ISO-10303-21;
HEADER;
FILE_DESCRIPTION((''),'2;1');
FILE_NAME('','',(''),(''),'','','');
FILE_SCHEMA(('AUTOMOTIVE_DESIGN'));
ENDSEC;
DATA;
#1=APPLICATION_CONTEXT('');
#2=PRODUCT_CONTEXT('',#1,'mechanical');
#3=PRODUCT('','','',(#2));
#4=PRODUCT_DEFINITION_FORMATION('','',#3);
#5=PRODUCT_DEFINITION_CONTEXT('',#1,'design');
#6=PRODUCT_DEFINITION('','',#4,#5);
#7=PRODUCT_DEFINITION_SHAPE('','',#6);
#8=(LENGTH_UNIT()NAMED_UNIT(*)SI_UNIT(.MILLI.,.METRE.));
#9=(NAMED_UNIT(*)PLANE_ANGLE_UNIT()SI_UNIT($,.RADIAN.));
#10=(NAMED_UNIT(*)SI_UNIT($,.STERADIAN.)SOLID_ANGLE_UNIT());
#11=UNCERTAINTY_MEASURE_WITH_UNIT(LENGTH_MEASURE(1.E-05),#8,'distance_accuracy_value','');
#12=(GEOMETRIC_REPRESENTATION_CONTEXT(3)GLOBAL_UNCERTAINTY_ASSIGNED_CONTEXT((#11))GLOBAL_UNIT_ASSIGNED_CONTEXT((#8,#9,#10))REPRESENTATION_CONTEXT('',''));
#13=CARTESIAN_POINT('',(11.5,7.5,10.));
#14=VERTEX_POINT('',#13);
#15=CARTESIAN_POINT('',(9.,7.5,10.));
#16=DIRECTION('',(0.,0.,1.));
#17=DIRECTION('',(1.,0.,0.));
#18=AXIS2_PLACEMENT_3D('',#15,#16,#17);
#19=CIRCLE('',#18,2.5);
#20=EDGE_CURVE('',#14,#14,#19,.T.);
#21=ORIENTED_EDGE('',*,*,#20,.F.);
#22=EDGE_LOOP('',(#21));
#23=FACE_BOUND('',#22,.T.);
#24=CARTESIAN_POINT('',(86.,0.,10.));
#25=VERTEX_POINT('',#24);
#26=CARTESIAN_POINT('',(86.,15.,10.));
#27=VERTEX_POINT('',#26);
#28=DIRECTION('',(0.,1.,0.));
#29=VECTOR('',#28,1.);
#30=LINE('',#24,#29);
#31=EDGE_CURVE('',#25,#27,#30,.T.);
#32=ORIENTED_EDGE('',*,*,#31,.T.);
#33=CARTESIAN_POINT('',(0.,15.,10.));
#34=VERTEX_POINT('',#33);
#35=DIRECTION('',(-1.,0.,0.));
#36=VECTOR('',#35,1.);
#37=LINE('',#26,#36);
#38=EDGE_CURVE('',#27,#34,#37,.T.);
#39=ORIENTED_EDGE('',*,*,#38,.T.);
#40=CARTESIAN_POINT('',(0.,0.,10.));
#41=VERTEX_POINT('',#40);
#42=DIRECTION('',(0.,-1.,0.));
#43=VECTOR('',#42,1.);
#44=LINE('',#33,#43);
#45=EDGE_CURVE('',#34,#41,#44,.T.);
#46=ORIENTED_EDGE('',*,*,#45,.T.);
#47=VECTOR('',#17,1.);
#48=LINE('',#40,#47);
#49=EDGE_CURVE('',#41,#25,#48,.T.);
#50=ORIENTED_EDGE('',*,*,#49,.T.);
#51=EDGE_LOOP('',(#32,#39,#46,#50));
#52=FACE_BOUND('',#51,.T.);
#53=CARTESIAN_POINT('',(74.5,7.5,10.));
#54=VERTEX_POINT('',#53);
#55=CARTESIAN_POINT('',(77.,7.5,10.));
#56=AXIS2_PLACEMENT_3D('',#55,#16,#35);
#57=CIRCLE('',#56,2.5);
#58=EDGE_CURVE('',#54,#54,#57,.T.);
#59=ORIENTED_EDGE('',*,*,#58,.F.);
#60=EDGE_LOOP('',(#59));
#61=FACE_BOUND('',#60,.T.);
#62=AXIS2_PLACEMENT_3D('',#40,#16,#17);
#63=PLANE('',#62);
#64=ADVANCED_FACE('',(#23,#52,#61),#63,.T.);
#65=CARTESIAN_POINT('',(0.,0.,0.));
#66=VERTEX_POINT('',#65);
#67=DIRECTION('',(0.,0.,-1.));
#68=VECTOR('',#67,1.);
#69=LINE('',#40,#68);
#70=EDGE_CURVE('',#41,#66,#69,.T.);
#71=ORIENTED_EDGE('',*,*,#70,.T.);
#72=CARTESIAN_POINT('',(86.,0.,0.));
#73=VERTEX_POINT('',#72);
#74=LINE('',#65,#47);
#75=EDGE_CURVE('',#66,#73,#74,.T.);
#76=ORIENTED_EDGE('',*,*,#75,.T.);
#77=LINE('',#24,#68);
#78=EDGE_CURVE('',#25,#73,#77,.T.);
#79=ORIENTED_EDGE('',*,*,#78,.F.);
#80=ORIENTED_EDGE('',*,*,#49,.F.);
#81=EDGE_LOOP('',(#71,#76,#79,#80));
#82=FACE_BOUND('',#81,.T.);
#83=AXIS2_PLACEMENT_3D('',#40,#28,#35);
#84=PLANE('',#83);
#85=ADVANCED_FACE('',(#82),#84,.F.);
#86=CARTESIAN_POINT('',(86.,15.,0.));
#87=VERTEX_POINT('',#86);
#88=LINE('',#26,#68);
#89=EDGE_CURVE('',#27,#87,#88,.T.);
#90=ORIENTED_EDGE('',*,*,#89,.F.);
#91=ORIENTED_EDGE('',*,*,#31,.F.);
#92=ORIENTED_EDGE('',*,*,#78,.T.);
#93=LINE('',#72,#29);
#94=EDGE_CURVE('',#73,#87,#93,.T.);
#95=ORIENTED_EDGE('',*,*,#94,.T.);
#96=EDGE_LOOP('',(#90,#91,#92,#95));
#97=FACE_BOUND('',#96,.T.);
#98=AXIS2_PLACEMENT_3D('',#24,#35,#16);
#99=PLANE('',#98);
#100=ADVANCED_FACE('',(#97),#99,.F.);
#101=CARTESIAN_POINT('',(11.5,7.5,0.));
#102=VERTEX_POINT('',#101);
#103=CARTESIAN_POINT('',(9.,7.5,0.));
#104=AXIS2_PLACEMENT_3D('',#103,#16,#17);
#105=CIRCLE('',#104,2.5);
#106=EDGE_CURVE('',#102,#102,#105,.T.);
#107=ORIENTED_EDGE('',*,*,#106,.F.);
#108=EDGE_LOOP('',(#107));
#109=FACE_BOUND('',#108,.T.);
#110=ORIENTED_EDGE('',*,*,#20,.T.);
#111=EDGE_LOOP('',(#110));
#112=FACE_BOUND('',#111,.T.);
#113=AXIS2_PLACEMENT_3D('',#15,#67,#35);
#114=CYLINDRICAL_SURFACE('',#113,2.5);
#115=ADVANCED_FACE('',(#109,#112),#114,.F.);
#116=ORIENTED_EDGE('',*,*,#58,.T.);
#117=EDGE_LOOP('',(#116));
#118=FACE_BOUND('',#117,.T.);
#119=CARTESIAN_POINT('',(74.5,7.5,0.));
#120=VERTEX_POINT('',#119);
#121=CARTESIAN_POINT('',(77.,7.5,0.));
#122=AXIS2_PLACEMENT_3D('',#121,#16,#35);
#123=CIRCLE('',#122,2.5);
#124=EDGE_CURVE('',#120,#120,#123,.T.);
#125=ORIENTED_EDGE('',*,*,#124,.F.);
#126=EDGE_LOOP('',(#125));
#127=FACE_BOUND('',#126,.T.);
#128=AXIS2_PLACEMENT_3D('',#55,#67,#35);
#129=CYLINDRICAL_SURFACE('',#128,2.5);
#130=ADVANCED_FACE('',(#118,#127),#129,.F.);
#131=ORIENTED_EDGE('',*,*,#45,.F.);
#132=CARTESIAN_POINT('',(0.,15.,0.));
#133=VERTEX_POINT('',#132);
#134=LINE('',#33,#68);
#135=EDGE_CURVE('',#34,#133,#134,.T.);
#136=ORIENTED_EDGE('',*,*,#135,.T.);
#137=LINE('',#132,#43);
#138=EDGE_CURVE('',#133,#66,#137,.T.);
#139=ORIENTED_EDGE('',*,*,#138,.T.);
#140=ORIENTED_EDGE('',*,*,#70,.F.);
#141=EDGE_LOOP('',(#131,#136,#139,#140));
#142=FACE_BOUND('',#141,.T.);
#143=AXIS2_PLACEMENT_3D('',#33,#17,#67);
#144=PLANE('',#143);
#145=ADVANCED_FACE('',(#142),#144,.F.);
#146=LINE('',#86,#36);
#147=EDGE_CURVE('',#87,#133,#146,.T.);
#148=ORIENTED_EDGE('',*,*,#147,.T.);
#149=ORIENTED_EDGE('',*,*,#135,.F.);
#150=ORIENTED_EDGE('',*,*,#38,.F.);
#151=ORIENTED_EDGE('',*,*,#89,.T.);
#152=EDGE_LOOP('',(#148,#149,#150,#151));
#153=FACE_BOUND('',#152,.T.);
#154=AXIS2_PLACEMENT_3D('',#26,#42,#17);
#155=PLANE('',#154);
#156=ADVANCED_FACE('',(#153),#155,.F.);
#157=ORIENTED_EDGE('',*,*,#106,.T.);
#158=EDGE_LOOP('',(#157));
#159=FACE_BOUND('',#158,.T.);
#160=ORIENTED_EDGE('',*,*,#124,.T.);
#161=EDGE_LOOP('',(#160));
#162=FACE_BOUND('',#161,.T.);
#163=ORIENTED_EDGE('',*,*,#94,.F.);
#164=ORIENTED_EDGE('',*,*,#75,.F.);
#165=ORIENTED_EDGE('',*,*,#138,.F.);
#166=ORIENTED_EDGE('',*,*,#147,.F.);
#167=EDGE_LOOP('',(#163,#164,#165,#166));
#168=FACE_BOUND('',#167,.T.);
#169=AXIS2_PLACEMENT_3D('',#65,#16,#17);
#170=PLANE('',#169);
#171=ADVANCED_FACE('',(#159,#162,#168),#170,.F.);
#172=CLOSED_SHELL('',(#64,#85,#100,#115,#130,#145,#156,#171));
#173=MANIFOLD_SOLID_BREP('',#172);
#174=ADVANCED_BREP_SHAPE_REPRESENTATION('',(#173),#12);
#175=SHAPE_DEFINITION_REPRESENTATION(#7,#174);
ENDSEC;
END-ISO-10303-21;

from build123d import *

# Parameters (mm, degrees)
SKETCH1_W           = 86
SKETCH1_H           = 15
SKETCH1_R           = 2.5
BOSS_EXTRUDE1_DEPTH = 10


with BuildPart() as part:
    # Sketch1 → Boss-Extrude1 (new body)
    with BuildSketch(Plane.XY):
        with Locations((43, 7.5)):
            Rectangle(SKETCH1_W, SKETCH1_H)
        with Locations((9, 7.5)):
            Circle(SKETCH1_R, mode=Mode.SUBTRACT)
        with Locations(Location((77, 7.5, 0), (0, 0, 180))):
            Circle(SKETCH1_R, mode=Mode.SUBTRACT)
    extrude(amount=BOSS_EXTRUDE1_DEPTH)


solid = part.part
